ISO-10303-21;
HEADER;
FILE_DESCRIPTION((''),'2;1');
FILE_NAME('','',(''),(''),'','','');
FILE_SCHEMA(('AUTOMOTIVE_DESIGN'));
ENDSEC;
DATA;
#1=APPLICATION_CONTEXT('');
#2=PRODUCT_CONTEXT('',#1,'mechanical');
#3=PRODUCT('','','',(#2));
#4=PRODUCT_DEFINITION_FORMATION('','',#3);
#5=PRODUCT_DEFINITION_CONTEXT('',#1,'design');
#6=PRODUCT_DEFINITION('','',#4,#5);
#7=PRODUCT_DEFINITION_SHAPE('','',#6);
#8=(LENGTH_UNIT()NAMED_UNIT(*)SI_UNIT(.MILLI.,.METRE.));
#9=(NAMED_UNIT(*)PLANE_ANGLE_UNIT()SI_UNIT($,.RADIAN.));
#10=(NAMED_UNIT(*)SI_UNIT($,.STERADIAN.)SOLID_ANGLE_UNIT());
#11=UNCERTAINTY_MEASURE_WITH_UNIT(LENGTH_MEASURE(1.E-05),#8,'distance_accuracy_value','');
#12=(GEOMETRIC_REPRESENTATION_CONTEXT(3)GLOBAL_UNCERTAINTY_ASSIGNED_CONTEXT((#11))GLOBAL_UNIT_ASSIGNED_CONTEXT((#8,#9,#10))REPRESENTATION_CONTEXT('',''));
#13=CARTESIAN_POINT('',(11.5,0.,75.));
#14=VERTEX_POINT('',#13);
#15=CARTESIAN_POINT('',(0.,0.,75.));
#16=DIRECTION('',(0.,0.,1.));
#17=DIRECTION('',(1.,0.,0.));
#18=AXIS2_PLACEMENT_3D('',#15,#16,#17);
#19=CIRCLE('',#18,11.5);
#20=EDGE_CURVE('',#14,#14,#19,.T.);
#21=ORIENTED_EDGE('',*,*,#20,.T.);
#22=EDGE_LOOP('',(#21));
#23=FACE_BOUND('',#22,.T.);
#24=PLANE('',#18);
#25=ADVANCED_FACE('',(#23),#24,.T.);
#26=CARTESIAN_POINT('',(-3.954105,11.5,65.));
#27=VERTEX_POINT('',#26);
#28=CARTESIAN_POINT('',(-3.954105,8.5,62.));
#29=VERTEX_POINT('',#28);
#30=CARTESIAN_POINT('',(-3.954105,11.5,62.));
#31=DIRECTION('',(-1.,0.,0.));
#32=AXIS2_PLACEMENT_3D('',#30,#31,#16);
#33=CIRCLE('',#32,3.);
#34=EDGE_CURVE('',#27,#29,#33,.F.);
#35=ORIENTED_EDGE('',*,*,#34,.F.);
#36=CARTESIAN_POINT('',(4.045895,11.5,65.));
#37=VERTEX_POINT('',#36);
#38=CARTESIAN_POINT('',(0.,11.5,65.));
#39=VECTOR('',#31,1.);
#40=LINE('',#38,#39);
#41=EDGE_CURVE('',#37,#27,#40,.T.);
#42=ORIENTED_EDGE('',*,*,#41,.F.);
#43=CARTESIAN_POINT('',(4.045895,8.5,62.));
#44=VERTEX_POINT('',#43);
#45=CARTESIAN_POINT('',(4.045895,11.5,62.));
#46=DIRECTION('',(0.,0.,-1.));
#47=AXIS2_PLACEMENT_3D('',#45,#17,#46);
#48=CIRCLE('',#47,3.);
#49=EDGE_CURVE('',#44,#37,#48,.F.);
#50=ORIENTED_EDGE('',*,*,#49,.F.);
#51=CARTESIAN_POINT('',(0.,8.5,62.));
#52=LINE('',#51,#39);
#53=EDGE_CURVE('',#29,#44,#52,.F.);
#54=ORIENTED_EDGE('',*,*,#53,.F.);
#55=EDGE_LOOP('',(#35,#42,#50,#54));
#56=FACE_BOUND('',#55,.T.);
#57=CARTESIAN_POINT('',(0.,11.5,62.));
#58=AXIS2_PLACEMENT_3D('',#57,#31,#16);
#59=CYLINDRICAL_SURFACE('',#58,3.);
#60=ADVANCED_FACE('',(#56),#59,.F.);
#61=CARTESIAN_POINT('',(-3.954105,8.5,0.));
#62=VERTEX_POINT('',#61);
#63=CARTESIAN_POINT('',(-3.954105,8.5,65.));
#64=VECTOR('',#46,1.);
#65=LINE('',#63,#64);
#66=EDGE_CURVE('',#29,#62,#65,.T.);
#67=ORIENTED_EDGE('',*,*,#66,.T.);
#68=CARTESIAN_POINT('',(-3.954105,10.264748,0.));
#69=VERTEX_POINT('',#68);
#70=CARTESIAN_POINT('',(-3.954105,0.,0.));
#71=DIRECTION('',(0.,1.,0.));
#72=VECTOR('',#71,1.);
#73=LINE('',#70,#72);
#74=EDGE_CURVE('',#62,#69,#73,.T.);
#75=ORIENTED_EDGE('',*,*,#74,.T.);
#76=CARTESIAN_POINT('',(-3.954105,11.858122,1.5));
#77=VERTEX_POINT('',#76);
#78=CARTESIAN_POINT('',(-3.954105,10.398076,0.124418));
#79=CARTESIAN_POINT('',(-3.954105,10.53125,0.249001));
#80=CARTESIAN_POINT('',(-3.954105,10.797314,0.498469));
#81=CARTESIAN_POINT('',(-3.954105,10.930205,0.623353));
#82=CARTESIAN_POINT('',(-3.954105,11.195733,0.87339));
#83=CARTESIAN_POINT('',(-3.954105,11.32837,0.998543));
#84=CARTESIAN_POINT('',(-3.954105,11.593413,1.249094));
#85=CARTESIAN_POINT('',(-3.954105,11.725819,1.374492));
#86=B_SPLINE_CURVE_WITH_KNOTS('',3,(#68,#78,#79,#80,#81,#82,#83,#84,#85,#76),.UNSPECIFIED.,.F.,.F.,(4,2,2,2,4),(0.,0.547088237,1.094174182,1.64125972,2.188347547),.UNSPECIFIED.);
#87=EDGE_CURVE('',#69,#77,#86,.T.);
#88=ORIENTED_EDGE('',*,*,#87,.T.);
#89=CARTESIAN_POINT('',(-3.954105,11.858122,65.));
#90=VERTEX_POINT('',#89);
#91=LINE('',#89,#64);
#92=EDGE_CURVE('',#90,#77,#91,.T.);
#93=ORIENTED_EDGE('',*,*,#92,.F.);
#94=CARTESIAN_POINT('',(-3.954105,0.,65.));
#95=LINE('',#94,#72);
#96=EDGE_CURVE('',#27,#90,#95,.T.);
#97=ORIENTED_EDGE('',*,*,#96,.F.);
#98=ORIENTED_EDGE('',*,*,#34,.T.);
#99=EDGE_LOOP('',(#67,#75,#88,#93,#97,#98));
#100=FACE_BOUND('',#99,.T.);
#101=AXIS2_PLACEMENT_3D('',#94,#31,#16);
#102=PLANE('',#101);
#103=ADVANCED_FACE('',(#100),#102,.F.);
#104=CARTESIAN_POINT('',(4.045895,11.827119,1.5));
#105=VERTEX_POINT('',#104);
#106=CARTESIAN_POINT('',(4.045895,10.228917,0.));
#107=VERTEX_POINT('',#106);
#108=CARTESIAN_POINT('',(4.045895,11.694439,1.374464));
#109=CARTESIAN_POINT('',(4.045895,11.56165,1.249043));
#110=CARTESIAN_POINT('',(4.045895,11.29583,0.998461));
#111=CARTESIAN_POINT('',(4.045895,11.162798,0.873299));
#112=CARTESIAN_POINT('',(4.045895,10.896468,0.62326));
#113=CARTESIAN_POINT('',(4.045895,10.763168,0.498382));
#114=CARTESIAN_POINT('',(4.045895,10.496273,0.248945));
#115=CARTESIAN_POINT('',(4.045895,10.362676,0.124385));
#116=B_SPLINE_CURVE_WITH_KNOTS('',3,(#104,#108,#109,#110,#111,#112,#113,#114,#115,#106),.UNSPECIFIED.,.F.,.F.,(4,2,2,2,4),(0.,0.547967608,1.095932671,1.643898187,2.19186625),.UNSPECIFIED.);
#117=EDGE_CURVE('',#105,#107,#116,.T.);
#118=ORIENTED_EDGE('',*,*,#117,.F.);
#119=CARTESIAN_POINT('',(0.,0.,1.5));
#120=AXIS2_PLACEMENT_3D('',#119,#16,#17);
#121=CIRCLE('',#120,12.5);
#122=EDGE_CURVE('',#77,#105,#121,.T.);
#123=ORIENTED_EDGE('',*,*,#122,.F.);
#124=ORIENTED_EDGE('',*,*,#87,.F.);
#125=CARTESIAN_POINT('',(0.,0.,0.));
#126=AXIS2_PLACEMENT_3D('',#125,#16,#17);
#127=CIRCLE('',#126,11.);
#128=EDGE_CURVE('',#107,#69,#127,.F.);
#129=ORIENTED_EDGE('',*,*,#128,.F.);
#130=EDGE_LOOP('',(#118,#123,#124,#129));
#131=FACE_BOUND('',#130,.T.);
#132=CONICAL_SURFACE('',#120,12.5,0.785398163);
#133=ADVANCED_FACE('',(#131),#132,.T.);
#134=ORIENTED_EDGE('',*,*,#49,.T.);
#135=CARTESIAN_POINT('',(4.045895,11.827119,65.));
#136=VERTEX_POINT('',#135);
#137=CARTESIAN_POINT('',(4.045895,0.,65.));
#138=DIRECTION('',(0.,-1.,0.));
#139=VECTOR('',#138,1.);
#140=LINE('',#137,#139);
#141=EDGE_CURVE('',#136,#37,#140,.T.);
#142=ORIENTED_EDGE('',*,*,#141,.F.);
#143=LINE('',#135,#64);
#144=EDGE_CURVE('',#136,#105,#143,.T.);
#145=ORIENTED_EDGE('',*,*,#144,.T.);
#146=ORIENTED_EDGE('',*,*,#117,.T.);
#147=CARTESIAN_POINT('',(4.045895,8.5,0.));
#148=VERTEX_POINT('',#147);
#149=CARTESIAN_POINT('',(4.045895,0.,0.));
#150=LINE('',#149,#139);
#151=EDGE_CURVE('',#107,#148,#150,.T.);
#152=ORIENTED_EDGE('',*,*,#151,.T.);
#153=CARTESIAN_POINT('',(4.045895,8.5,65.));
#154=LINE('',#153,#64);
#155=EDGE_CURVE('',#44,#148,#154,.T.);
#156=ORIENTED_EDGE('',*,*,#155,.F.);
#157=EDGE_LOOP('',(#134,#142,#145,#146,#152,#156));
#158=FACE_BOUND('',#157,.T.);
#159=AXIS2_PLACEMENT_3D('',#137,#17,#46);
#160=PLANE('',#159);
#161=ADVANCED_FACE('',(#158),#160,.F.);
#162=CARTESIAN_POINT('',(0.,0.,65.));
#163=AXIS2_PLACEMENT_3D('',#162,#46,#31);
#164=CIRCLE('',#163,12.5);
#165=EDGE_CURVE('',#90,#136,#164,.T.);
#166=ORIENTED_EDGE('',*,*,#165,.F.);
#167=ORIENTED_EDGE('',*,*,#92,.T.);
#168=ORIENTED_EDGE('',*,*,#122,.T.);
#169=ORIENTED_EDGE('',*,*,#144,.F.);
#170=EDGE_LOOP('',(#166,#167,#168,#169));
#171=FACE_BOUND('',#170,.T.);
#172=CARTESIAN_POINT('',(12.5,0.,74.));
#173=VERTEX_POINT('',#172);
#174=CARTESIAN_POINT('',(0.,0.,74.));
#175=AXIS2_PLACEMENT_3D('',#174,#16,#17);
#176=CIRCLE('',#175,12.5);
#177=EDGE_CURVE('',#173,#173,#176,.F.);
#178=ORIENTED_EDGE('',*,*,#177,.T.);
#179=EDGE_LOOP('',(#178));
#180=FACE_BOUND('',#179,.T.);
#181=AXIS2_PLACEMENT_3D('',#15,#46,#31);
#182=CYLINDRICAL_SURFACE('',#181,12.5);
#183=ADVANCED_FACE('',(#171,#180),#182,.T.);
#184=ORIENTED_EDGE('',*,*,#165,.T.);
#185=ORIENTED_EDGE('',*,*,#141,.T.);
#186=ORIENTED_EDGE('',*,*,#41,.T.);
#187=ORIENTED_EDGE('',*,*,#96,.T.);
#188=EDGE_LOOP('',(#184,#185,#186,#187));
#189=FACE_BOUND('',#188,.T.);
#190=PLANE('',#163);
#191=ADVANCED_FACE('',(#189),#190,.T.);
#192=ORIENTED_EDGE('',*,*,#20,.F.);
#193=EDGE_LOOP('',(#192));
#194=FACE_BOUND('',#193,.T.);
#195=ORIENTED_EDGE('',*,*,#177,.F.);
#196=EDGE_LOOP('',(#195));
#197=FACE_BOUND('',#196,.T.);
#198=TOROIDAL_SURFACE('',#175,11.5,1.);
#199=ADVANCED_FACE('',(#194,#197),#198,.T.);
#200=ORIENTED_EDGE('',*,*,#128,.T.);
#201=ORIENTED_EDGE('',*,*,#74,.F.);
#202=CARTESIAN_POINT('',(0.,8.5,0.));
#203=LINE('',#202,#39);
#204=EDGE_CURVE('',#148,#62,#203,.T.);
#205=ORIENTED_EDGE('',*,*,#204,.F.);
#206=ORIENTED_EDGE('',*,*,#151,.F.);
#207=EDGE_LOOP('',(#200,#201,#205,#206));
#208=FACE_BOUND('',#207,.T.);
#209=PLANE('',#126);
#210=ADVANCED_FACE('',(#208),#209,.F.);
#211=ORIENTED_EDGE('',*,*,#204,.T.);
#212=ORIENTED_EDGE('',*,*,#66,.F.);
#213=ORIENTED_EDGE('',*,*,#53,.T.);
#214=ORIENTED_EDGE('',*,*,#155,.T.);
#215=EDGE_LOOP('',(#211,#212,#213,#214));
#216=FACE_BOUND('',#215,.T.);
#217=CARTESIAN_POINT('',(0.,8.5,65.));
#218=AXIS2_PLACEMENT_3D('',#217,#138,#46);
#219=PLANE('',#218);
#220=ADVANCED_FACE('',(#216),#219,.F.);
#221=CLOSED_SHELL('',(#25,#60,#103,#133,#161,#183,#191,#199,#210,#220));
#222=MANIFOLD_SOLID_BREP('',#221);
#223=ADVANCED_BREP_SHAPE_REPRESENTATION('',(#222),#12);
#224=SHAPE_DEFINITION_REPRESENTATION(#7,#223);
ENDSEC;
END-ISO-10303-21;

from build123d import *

# Parameters (mm, degrees)
SKETCH1_R           = 12.5
BOSS_EXTRUDE1_DEPTH = 75
CUT_EXTRUDE1_DEPTH  = 65
CHAMFER1_SIZE       = 1.5
FILLET1_R           = 3
FILLET2_R           = 1


with BuildPart() as part:
    # Sketch1 → Boss-Extrude1 (new body)
    with BuildSketch(Plane.XY):
        Circle(SKETCH1_R)
    extrude(amount=BOSS_EXTRUDE1_DEPTH)

    # Sketch2 → Cut-Extrude1 (cut)
    with BuildSketch(Plane(origin=(0, 0, 0), x_dir=(-1, 0, 0), z_dir=(0, 0, -1))):
        with BuildLine():
            Line((-4.045894985, 8.5), (0, 8.5))
            Line((0, 8.5), (0, 12.5))
            ThreePointArc((0, 12.5), (-2.050733749, 12.330632226), (-4.045894985, 11.827118574))
            Line((-4.045894985, 11.827118574), (-4.045894985, 8.5))
        make_face()
        with BuildLine():
            Line((0, 12.5), (0, 8.5))
            Line((0, 8.5), (3.954105015, 8.5))
            Line((3.954105015, 8.5), (3.954105015, 11.858121838))
            ThreePointArc((3.954105015, 11.858121838), (2.002932478, 12.338487002), (0, 12.5))
        make_face()
    extrude(amount=-CUT_EXTRUDE1_DEPTH, mode=Mode.SUBTRACT)

    # Chamfer1
    chamfer1_edges = [part.edges().sort_by_distance(p)[0] for p in [
        (-7.308340691, -10.140914966, 0),
    ]]
    chamfer(chamfer1_edges, length=CHAMFER1_SIZE)

    # Fillet1
    fillet1_edges = [part.edges().sort_by_distance(p)[0] for p in [
        (0.045894985, 8.5, 65),
    ]]
    fillet(fillet1_edges, radius=FILLET1_R)

    # Fillet2
    fillet2_edges = [part.edges().sort_by_distance(p)[0] for p in [
        (-12.5, 0, 75),
    ]]
    fillet(fillet2_edges, radius=FILLET2_R)


solid = part.part
